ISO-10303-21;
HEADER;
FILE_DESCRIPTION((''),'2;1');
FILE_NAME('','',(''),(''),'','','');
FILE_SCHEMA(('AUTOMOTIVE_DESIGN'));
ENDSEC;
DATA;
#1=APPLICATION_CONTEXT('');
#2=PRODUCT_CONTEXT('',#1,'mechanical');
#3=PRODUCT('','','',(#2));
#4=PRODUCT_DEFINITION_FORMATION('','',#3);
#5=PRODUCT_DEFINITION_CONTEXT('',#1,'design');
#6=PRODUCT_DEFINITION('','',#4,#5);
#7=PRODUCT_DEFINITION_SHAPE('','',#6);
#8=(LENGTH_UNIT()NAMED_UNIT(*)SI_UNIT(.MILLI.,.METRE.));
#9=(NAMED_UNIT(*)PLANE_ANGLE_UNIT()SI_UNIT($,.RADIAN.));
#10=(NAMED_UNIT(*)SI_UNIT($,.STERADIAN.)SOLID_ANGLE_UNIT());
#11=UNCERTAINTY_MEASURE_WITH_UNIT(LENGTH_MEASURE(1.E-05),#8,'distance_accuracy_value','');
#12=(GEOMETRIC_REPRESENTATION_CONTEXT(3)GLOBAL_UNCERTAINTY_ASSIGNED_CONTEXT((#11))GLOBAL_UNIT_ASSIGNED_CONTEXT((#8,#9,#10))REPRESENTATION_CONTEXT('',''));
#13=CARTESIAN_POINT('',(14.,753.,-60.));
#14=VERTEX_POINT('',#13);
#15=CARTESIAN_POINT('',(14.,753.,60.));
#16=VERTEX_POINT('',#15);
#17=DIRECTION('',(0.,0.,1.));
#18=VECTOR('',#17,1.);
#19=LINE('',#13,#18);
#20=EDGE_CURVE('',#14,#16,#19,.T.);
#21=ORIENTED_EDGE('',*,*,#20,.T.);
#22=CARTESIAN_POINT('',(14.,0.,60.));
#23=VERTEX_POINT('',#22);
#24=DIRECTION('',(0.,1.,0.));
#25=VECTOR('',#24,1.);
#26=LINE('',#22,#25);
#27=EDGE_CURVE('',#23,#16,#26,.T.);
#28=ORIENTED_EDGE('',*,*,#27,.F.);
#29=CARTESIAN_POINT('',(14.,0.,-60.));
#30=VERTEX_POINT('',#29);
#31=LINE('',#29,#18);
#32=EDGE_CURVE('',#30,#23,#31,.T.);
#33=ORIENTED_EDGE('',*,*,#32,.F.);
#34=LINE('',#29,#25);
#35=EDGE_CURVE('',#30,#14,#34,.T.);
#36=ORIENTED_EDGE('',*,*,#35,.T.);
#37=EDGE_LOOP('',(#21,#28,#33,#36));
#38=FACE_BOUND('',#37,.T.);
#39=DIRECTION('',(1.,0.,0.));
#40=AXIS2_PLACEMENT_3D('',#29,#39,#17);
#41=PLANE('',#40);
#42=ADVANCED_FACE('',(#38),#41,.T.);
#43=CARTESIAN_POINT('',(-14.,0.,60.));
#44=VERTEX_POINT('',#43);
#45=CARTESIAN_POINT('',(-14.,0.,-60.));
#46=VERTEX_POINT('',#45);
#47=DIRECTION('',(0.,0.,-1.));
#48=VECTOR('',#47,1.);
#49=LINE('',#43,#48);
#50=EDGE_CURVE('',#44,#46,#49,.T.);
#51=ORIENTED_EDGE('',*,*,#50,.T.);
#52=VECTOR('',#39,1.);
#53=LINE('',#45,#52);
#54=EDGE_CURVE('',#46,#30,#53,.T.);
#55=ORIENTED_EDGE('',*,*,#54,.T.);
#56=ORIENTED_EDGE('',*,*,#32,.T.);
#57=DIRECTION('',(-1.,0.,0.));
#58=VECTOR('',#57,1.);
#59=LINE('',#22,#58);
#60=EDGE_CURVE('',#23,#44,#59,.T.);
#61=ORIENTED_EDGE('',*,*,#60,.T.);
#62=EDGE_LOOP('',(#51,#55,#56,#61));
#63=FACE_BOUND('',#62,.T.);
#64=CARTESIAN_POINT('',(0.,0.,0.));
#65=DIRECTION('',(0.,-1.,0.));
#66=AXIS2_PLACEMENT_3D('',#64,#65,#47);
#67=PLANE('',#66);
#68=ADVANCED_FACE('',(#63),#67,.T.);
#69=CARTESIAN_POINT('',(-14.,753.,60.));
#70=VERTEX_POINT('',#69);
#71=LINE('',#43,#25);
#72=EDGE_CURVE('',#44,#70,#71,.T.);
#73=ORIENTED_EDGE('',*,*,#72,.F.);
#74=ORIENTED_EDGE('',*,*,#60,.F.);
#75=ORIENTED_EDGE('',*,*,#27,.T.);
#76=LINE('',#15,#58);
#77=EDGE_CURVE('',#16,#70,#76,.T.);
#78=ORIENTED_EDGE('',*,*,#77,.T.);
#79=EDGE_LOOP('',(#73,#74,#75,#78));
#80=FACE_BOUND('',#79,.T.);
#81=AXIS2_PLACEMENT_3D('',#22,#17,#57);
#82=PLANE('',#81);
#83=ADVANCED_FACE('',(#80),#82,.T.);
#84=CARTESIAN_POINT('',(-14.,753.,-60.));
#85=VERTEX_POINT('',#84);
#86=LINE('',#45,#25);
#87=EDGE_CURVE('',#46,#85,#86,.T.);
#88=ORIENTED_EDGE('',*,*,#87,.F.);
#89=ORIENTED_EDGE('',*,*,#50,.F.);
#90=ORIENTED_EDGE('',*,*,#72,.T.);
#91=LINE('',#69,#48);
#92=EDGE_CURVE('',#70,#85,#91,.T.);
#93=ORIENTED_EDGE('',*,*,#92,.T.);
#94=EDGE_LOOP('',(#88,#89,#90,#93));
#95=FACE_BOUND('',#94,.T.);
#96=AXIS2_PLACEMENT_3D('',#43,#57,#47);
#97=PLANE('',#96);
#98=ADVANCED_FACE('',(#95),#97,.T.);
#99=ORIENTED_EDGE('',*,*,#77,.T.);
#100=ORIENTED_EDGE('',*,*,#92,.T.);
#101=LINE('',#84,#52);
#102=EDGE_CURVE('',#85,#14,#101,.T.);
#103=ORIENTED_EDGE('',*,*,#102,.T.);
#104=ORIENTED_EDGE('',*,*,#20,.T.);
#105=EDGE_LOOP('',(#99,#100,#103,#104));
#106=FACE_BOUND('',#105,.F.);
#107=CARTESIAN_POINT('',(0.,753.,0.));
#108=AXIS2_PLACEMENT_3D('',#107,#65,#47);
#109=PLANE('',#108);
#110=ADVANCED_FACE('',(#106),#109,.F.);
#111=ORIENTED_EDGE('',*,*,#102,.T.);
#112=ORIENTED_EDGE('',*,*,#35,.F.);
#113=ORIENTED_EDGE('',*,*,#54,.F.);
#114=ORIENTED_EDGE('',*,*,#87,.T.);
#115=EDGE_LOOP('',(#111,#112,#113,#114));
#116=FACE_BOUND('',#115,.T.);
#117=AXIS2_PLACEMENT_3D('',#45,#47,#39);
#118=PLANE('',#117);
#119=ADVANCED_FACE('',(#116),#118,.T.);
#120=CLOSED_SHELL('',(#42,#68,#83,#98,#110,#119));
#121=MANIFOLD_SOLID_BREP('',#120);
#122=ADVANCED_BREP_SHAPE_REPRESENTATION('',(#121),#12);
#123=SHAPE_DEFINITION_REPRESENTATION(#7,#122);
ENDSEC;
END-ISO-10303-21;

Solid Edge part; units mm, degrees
sketch "Sketch1" plane through (0, 0, 0) normal (0, -1, 0) x (1, 0, 0)
  line L0 (-14, -60) -> (14, -60)
  line L1 (14, -60) -> (14, 60)
  line L2 (14, 60) -> (-14, 60)
  line L3 (-14, 60) -> (-14, -60)
extrude "Protrusion1" add sketch "Sketch1" against normal blind 753
properties material "Wood, Pine"
